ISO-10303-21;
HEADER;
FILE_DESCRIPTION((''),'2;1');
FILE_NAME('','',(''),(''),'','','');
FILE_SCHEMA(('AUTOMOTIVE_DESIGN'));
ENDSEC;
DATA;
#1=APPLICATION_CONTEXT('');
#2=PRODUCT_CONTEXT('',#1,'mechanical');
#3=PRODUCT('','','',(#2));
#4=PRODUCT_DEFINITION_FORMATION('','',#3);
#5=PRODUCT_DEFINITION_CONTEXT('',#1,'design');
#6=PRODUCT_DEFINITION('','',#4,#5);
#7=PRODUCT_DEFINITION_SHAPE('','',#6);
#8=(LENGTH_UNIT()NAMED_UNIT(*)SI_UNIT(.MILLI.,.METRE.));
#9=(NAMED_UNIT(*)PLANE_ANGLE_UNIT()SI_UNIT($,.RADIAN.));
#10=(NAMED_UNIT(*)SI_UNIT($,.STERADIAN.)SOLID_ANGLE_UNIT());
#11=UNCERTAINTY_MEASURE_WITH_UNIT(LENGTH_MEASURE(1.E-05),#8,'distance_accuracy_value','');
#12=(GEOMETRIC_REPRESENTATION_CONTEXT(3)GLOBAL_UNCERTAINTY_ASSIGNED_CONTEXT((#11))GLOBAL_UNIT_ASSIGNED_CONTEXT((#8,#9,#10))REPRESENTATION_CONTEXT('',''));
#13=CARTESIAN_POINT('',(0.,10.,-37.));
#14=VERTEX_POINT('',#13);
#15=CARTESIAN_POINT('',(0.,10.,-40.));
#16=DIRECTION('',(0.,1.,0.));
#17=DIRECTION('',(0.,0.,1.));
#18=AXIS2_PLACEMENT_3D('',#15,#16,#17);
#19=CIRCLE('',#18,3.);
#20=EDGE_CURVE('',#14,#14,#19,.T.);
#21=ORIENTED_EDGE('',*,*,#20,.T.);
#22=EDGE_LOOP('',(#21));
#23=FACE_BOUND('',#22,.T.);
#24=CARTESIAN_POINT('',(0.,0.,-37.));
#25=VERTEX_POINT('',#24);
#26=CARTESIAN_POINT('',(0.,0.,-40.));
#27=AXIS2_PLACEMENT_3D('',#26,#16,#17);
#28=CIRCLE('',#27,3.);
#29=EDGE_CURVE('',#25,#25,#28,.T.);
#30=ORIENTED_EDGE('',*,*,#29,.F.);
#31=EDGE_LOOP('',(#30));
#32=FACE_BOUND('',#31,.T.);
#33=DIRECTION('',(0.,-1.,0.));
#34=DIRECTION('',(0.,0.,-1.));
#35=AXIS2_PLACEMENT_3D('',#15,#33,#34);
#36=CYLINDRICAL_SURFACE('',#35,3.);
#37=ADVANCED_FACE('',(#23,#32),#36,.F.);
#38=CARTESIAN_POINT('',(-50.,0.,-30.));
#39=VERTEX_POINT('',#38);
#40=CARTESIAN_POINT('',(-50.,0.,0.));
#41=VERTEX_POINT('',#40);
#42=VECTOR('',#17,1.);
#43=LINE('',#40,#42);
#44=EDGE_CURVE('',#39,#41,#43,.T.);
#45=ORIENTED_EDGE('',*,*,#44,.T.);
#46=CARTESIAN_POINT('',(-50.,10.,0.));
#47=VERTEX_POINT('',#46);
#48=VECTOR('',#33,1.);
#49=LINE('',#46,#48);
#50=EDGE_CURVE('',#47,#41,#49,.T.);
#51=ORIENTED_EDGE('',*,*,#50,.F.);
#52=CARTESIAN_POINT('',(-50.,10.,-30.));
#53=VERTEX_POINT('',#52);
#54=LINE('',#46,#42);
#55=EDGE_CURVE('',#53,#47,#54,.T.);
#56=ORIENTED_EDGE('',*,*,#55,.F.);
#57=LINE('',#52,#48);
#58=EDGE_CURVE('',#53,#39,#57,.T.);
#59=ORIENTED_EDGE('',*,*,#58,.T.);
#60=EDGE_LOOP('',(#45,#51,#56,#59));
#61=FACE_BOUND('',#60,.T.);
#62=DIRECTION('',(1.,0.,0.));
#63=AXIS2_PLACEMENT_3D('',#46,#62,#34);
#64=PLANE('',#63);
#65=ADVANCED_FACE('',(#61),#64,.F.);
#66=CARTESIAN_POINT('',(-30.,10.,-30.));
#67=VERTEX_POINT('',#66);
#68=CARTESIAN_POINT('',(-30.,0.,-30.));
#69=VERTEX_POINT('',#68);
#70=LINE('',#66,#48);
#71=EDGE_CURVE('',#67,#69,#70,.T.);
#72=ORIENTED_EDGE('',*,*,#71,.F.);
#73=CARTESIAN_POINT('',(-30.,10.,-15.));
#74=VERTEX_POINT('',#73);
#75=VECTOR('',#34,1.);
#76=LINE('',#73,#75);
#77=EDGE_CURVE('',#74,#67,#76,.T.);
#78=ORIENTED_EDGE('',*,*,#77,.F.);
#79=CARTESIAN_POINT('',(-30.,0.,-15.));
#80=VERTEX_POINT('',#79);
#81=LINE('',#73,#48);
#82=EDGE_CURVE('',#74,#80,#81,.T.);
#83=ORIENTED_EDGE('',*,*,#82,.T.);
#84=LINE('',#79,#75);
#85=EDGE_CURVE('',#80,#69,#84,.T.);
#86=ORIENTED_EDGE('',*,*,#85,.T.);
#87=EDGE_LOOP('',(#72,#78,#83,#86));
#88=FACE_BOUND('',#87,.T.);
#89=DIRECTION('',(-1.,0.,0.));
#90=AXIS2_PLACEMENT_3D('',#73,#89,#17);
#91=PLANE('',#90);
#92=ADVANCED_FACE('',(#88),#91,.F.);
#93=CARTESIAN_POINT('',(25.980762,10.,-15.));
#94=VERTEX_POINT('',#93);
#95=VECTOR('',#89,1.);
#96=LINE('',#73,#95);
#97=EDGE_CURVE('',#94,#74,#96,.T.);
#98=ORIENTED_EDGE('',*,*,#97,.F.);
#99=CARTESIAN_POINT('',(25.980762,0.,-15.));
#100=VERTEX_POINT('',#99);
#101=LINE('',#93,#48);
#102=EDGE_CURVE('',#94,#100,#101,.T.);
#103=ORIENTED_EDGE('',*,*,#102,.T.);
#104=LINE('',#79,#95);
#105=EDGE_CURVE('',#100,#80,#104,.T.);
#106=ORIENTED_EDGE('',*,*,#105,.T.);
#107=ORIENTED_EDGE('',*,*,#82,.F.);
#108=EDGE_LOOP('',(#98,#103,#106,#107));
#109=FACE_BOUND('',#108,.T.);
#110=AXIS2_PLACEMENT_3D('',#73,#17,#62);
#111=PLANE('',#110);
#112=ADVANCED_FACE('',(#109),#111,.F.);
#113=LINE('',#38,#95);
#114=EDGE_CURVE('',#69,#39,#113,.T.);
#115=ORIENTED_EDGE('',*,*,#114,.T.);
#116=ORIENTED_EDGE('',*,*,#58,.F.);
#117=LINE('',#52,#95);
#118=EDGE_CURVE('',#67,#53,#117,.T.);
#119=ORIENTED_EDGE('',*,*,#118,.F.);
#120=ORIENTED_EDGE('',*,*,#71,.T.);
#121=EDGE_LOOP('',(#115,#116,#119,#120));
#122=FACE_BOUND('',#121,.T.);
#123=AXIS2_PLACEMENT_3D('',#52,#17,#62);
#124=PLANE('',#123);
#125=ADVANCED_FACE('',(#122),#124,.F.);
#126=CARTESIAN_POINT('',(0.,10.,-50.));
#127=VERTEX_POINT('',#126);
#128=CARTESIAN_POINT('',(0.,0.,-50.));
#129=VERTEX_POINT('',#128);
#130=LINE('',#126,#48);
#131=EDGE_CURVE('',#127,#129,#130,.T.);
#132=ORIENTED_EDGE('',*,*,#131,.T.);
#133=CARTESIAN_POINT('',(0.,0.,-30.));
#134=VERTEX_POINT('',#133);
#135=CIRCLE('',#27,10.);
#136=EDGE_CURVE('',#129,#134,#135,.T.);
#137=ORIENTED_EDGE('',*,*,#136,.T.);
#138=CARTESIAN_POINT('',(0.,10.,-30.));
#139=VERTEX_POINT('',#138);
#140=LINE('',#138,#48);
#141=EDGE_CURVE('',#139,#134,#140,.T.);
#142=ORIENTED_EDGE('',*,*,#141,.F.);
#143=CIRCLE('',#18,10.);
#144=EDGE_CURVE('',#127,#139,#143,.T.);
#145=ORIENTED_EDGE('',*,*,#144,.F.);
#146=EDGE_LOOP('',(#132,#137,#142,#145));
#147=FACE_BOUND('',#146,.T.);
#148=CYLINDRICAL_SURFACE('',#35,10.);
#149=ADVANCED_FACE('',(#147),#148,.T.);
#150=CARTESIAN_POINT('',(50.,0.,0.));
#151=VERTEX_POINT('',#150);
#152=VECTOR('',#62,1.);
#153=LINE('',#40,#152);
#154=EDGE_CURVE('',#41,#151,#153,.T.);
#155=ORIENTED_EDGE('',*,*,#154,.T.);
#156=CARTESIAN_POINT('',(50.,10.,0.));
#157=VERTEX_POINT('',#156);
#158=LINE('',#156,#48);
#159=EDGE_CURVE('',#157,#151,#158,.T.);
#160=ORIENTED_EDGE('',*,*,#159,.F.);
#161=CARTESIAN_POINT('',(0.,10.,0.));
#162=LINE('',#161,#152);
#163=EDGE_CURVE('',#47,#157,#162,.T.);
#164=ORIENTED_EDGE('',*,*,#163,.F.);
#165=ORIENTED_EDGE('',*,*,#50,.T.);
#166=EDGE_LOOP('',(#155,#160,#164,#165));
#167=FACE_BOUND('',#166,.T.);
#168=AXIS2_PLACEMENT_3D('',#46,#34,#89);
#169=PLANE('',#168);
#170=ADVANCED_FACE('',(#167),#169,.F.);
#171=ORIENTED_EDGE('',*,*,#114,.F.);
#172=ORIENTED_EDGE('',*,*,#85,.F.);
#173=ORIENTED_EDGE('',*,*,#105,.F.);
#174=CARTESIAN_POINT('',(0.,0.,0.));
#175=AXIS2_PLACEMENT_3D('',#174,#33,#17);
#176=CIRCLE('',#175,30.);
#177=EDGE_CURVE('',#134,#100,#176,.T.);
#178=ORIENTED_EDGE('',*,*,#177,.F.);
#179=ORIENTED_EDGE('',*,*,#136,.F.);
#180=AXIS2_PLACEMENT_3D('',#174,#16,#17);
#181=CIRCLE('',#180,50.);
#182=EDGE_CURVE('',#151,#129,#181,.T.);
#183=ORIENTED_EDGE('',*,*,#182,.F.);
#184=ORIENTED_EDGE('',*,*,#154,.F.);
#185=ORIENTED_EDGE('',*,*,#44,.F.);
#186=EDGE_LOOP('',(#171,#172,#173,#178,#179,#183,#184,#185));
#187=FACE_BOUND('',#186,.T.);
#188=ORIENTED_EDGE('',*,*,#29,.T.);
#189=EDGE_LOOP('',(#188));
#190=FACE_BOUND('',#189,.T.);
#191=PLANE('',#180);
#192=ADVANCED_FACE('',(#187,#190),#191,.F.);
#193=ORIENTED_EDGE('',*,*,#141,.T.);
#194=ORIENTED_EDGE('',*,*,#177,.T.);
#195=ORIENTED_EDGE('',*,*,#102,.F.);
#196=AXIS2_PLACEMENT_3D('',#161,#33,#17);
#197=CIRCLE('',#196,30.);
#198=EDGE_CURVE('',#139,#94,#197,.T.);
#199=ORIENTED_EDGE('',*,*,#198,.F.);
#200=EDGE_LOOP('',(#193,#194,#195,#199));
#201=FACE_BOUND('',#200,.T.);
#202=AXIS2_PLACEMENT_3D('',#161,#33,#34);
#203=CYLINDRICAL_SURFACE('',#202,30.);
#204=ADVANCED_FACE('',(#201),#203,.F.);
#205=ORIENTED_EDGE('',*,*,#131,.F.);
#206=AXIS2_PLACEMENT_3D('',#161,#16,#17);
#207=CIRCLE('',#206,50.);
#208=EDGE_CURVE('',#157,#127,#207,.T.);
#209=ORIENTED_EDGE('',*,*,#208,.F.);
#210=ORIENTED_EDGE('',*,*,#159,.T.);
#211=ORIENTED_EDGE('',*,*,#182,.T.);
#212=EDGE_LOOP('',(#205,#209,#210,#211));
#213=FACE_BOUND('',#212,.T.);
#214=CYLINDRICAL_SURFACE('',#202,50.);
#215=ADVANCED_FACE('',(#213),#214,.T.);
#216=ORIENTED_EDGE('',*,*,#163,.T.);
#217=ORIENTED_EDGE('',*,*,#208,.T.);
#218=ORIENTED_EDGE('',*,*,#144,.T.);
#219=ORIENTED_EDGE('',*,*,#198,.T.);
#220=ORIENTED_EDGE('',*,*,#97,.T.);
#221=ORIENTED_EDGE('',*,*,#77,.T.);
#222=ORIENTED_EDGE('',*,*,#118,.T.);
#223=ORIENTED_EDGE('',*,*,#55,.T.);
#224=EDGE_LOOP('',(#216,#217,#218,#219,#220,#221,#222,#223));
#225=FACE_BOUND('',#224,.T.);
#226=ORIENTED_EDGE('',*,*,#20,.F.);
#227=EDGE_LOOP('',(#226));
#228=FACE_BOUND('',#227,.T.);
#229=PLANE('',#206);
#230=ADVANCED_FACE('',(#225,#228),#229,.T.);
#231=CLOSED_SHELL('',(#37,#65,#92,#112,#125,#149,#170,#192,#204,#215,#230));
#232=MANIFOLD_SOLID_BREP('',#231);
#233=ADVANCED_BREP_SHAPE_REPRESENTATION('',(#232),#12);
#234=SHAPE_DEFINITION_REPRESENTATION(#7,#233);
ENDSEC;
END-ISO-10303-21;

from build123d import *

# Parameters (mm, degrees)
SKETCH_1_R      = 3
EXTRUDE_1_DEPTH = 10


with BuildPart() as part:
    # 草图1 → 凸台-拉伸1 (new body)
    with BuildSketch(Plane(origin=(0, 0, 0), x_dir=(1, 0, 0), z_dir=(0, 1, 0))):
        with BuildLine():
            Line((-50, 0), (0, 0))
            Line((0, 0), (50, 0))
            ThreePointArc((50, 0), (35.355339059, 35.355339059), (0, 50))
            ThreePointArc((0, 50), (-10, 40), (0, 30))
            ThreePointArc((0, 30), (15, 25.980762114), (25.980762114, 15))
            Line((25.980762114, 15), (-30, 15))
            Line((-30, 15), (-30, 30))
            Line((-30, 30), (-50, 30))
            Line((-50, 30), (-50, 0))
        make_face()
        with Locations(Location((0, 40, 0), (0, 0, 270))):
            Circle(SKETCH_1_R, mode=Mode.SUBTRACT)
    extrude(amount=EXTRUDE_1_DEPTH)


solid = part.part
